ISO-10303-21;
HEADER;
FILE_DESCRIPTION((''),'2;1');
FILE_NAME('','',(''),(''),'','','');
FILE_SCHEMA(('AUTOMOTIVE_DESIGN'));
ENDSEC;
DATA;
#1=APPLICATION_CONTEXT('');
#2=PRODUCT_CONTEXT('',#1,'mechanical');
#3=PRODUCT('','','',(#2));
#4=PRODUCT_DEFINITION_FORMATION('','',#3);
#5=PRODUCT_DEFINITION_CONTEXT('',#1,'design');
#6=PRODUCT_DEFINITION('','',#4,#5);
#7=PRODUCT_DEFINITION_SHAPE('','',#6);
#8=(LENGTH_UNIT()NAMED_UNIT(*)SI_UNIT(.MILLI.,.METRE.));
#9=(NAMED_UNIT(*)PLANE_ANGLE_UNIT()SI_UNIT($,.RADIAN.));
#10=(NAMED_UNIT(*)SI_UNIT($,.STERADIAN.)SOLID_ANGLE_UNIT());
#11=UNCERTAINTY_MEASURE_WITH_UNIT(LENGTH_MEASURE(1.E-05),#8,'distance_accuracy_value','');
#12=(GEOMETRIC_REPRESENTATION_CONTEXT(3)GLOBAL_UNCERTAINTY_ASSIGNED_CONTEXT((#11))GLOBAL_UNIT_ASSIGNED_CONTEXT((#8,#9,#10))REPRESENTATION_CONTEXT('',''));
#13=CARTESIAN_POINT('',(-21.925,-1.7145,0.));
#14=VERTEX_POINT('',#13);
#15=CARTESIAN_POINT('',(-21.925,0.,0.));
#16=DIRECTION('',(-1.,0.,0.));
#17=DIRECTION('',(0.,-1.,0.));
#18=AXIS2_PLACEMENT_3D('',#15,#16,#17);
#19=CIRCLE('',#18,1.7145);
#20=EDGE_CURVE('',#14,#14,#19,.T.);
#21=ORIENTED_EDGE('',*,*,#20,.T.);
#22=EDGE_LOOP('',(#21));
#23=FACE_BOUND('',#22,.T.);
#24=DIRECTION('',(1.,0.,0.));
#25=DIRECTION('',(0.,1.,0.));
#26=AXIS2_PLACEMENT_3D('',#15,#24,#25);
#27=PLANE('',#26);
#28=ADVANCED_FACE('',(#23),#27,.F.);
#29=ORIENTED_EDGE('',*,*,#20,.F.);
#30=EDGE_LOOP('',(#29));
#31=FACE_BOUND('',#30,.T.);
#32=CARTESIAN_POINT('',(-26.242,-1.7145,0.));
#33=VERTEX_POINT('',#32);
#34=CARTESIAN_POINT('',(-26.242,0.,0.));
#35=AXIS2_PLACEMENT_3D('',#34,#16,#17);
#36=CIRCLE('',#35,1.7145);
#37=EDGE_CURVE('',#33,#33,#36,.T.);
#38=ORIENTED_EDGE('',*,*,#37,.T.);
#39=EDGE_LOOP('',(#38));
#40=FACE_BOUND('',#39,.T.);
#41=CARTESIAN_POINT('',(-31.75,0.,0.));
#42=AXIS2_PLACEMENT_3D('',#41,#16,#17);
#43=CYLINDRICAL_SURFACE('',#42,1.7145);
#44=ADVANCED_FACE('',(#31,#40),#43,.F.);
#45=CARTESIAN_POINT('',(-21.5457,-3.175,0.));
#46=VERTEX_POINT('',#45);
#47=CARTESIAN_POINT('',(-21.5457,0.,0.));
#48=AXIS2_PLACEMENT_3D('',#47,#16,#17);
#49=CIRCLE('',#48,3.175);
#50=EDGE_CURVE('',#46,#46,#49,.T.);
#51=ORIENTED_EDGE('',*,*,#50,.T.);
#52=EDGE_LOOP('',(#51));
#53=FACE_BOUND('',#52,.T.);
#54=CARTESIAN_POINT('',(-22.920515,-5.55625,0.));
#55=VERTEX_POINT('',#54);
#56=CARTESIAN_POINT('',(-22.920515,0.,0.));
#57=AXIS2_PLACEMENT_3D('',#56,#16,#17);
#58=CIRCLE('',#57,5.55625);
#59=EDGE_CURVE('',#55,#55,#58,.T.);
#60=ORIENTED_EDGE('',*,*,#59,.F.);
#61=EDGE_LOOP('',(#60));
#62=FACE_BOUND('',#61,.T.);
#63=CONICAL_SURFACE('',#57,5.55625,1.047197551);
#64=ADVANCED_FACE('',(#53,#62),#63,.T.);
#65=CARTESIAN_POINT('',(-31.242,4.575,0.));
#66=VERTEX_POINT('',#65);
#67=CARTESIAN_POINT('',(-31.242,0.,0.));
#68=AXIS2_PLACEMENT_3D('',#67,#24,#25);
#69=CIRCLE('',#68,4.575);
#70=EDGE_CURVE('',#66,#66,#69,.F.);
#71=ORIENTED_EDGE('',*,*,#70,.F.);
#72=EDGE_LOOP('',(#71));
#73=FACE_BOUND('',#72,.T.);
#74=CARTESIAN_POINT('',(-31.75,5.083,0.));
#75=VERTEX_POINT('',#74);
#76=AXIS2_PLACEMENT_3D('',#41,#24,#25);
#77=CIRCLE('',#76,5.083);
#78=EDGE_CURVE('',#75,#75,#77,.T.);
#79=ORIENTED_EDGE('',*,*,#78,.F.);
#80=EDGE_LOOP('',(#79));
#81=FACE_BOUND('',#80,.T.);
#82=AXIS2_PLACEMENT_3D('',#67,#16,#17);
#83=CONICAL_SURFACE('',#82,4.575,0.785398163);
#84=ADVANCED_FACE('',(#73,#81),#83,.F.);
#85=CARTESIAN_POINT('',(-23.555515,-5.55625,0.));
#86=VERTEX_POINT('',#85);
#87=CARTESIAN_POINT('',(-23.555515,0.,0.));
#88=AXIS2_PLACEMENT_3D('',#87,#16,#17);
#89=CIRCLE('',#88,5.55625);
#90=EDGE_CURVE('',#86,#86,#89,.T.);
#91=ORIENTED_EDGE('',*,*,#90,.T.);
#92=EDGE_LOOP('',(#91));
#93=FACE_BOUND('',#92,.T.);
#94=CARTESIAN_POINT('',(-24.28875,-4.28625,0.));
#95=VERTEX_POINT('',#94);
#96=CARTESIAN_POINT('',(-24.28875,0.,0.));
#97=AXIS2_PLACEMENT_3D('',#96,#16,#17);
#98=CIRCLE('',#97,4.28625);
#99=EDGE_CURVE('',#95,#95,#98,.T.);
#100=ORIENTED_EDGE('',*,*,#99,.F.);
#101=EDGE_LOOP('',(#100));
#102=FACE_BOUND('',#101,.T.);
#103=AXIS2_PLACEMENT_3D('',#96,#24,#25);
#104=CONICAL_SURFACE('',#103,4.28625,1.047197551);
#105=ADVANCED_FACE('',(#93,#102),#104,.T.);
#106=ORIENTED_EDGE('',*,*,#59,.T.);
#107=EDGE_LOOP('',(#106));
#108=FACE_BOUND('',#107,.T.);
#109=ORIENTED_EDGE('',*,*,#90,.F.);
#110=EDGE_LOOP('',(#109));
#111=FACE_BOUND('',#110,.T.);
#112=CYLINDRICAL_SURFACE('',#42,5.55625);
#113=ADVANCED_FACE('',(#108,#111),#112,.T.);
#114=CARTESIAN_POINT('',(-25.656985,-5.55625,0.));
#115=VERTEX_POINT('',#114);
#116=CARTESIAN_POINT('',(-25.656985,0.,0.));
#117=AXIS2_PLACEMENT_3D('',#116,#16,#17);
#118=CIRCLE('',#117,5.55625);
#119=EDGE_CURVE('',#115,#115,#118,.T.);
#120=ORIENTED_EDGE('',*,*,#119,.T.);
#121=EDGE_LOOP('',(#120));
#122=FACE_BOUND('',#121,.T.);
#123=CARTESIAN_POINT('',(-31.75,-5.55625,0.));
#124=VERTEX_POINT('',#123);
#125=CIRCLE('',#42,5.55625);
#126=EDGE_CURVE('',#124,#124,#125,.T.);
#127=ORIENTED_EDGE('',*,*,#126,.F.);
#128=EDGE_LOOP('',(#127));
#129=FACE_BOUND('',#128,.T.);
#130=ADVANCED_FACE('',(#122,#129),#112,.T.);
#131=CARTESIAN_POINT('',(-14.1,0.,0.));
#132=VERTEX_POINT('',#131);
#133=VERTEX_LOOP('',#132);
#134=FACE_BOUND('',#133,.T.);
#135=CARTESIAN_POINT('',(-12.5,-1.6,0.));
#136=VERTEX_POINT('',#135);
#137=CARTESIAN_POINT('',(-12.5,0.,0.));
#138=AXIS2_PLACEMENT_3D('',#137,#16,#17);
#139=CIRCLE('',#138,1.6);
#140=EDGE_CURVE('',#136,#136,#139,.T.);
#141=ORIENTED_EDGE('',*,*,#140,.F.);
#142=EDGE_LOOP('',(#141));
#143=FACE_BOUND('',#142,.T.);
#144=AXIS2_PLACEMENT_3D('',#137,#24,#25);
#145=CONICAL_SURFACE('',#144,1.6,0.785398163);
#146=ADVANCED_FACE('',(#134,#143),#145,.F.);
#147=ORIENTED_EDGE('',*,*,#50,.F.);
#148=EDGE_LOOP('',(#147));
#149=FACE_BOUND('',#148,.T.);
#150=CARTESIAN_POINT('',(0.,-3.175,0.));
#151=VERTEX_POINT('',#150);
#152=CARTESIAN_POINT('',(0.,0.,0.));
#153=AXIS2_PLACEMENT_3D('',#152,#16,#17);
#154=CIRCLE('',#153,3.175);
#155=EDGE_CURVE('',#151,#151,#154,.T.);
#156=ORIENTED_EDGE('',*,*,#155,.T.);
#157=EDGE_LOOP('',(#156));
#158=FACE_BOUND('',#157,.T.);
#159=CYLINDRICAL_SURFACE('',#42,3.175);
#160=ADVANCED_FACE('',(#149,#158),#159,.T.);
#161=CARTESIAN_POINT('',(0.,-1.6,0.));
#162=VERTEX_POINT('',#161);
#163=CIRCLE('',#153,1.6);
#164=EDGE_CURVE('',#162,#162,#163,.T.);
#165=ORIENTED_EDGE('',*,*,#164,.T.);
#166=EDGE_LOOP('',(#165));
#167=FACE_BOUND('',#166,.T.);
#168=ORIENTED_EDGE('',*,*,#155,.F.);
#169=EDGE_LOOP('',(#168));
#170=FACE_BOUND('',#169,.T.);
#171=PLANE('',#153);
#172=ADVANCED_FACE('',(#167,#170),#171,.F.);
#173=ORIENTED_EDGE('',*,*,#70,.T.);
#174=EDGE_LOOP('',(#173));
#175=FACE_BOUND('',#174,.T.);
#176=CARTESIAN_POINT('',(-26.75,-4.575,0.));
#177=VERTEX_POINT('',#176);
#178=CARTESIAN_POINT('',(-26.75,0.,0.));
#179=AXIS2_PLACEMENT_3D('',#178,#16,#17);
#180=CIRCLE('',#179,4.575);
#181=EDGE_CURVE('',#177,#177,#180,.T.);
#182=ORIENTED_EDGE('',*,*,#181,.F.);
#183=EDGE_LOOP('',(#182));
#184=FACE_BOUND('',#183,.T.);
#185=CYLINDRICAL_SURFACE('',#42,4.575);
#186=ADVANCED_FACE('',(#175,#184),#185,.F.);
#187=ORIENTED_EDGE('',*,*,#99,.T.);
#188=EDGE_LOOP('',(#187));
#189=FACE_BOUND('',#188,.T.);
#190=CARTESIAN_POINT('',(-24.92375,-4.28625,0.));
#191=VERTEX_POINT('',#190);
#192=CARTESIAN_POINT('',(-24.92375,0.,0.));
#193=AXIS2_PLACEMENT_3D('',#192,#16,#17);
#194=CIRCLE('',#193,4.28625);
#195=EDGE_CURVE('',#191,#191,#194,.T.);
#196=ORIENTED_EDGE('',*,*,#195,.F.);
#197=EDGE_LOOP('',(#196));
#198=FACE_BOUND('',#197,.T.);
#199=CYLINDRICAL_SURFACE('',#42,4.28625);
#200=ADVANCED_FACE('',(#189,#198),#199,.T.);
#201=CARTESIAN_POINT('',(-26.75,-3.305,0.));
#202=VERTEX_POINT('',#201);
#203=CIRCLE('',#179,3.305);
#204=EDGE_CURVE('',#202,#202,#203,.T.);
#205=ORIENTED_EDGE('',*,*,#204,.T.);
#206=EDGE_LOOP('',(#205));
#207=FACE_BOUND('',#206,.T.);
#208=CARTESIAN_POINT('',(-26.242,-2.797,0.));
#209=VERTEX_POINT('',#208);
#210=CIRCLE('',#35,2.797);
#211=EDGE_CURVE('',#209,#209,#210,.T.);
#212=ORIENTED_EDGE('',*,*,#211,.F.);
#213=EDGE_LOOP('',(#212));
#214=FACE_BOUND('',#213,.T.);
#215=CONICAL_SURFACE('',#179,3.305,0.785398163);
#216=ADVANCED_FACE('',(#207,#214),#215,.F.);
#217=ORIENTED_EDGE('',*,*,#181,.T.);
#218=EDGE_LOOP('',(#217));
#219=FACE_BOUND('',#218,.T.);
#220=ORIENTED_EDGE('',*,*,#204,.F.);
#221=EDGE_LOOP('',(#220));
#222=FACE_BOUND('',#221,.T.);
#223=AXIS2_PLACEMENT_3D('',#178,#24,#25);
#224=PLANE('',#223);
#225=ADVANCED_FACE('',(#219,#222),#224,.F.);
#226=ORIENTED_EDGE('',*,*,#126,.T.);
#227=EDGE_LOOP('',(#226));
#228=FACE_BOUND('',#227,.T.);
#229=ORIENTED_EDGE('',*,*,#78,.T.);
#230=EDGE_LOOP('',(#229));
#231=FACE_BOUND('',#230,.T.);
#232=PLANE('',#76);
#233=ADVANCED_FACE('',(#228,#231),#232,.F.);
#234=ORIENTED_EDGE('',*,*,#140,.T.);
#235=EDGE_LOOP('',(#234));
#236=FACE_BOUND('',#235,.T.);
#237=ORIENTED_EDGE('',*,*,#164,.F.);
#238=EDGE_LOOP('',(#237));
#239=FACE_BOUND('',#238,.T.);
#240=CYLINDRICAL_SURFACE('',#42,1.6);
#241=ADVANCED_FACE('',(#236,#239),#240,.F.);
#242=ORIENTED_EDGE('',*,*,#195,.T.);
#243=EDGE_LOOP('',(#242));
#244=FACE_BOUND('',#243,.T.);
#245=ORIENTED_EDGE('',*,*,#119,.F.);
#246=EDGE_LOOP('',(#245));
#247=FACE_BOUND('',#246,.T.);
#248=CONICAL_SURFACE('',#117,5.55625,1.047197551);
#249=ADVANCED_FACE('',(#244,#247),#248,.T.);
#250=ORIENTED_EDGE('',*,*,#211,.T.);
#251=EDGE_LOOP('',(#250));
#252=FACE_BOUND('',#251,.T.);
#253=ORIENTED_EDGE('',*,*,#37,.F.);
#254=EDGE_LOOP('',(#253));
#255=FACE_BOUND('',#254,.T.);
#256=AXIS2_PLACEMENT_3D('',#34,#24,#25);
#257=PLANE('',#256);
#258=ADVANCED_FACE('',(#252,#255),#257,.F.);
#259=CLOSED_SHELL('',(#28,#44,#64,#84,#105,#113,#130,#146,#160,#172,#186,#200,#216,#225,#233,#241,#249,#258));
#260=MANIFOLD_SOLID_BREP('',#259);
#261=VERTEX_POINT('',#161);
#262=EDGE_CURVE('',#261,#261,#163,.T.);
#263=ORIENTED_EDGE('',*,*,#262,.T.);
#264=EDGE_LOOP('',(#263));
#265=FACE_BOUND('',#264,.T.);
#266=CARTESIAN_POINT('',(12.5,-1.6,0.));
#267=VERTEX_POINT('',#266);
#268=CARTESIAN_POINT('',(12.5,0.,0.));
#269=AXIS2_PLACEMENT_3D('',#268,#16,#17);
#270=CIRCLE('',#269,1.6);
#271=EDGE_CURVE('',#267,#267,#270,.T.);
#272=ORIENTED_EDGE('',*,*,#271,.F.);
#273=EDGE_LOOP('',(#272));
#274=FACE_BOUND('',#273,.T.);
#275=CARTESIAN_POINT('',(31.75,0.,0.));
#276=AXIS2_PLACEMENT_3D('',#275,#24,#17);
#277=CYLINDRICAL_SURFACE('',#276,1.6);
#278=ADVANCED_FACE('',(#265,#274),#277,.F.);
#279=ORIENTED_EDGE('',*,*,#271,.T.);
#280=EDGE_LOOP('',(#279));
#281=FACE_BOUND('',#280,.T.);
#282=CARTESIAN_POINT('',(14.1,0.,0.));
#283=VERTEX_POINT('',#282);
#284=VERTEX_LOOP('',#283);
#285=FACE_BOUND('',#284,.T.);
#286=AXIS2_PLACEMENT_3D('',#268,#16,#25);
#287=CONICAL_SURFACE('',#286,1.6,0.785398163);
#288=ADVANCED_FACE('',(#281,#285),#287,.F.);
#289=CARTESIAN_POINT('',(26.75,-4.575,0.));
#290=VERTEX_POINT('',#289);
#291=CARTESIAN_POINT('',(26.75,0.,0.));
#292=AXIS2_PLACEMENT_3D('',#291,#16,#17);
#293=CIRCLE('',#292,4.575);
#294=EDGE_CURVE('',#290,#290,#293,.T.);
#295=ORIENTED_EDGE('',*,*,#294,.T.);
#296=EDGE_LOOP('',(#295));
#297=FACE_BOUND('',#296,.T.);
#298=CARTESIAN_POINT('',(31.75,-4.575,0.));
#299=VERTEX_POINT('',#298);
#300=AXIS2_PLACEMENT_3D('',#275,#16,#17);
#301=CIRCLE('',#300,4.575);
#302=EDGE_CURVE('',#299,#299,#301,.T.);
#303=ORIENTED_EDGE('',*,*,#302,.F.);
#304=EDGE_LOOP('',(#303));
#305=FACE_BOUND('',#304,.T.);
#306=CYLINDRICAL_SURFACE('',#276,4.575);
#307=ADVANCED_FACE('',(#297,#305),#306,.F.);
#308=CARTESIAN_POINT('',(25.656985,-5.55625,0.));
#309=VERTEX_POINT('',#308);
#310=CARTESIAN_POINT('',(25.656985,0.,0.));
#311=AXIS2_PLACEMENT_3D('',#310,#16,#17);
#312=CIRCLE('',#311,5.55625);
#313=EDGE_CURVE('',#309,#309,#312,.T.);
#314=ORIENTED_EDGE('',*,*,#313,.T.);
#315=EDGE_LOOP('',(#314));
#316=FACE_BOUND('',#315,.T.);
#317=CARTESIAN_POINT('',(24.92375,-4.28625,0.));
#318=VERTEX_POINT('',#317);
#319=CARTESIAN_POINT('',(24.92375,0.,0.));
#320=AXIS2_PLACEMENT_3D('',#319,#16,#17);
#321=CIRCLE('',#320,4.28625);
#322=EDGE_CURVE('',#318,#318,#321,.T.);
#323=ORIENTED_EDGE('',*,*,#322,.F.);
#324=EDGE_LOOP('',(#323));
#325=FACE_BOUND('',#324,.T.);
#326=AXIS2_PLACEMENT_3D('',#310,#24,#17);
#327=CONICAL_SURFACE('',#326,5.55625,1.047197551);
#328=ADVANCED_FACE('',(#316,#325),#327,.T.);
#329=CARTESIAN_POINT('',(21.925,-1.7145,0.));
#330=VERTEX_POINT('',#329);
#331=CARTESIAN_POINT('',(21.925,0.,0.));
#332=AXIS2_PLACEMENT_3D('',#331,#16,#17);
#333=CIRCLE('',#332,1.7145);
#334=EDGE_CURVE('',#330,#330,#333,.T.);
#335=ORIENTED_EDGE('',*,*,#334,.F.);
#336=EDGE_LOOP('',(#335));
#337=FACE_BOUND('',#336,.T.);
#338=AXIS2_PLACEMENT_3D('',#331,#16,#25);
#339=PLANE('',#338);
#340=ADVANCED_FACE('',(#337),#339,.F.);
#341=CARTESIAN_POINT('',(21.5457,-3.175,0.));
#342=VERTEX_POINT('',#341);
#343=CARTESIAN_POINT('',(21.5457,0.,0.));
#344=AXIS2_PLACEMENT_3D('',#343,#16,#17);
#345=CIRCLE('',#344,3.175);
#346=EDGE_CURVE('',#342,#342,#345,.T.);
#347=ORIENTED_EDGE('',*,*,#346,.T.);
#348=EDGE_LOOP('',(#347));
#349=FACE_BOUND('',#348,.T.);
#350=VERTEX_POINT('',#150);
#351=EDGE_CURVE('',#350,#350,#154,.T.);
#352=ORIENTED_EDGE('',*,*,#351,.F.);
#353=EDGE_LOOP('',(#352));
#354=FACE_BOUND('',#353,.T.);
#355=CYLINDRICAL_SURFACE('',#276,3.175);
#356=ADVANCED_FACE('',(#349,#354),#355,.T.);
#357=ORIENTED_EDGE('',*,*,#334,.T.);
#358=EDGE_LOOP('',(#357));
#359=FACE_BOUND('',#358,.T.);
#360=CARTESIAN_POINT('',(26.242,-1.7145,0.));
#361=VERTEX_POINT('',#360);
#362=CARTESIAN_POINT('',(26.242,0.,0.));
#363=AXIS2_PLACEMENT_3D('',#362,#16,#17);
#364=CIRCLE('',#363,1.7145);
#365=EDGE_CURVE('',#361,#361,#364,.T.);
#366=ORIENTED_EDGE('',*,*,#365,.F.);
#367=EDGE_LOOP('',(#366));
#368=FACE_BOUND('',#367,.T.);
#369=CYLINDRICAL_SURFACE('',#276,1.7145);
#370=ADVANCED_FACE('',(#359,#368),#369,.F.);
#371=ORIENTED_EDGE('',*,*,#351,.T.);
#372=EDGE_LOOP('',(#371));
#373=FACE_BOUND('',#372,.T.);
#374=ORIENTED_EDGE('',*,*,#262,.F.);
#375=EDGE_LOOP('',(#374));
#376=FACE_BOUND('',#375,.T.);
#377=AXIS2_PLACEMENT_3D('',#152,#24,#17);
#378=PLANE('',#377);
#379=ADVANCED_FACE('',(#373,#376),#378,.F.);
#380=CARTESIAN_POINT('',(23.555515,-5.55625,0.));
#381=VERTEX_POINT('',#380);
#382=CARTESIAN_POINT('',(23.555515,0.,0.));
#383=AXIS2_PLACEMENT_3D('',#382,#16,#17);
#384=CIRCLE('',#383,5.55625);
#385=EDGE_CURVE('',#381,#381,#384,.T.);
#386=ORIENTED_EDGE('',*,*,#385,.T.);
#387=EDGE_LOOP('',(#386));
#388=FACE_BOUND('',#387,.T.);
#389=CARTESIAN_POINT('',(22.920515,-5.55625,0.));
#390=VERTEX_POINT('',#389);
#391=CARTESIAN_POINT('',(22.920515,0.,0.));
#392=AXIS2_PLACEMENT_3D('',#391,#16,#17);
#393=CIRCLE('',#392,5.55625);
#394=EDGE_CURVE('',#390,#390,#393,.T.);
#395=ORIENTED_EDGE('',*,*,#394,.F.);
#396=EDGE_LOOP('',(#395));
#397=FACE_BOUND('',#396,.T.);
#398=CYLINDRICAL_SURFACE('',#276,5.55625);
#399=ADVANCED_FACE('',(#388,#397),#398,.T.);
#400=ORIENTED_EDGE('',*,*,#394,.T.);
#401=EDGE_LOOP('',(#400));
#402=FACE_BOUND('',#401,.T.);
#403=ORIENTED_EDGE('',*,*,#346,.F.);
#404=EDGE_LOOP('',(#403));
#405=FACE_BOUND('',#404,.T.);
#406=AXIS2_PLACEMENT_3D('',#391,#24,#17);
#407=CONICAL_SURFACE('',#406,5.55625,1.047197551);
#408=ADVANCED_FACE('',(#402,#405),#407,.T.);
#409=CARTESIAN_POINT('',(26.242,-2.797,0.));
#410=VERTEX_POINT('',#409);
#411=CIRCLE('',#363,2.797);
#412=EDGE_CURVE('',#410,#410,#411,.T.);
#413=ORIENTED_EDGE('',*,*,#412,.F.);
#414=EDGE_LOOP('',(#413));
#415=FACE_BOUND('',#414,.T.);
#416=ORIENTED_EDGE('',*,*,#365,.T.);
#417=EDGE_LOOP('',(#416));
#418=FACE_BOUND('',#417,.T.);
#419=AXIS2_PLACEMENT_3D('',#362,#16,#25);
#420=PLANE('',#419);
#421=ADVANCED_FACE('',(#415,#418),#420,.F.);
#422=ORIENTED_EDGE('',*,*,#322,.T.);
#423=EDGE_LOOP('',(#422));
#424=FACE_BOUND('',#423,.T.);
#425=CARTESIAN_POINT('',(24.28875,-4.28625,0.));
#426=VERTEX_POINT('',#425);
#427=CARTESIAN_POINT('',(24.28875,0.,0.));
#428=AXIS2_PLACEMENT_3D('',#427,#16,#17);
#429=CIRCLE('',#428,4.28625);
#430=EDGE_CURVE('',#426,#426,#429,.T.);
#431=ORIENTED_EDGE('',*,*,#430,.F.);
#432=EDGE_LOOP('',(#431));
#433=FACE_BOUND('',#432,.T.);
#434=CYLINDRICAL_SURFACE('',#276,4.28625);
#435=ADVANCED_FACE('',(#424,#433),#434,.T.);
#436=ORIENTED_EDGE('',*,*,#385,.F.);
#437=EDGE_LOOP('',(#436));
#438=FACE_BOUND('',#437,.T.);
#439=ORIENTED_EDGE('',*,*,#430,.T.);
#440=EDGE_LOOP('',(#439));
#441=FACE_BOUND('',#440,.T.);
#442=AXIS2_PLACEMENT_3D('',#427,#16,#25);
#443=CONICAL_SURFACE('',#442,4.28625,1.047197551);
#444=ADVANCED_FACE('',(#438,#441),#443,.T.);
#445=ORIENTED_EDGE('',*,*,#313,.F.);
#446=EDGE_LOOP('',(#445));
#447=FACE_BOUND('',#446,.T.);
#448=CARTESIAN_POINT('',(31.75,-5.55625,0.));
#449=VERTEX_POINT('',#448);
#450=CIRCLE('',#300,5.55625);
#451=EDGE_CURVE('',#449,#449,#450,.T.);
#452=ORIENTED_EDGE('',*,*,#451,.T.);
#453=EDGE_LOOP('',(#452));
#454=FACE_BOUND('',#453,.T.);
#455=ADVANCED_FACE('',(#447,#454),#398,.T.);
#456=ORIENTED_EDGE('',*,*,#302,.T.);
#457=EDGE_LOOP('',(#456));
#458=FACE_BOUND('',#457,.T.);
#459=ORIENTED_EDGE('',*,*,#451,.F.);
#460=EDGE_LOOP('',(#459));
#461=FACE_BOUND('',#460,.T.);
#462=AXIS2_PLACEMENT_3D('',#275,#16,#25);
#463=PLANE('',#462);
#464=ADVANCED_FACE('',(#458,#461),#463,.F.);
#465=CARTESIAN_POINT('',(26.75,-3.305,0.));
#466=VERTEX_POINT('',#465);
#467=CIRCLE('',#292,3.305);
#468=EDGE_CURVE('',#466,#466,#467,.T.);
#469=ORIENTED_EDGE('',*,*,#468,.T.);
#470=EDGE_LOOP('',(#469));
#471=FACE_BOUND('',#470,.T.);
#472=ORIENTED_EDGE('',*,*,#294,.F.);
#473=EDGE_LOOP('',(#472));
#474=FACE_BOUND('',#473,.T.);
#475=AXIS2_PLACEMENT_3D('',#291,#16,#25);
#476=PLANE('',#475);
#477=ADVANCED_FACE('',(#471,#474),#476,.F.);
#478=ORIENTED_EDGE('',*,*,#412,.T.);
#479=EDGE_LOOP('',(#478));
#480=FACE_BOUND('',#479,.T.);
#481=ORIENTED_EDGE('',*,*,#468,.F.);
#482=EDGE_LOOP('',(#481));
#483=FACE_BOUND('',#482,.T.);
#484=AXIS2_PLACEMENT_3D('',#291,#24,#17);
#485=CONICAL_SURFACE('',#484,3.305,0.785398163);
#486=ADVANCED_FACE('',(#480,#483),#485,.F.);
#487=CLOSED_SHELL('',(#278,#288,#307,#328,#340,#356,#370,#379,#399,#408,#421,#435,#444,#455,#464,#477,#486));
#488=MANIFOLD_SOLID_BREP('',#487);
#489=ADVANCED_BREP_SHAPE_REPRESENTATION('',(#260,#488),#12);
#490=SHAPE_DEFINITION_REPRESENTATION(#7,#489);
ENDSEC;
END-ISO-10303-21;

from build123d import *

# Parameters (mm, degrees)
CHAMFER1_SIZE = 0.508


with BuildPart() as part:
    # Sketch2 → Revolve1 (revolve)
    with BuildSketch(Plane.XY, mode=Mode.PRIVATE) as revolve1_sk:
        Polygon((-25.656984842, 5.55625), (-31.75, 5.55625), (-31.75, 4.575), (-26.75, 4.575), (-26.75, 3.305), (-26.242, 2.797), (-26.242, 1.7145), (-21.925, 1.7145), (-21.925, 0), (-14.1, 0), (-12.5, 1.6), (0, 1.6), (0, 3.175), (-21.54569983, 3.175), (-22.920515158, 5.55625), (-23.555515158, 5.55625), (-24.28875, 4.28625), (-24.92375, 4.28625), align=None)
    revolve(revolve1_sk.sketch.rotate(Axis((-31.75, 0, 0), (1, 0, 0)), 180), axis=Axis((-31.75, 0, 0), (1, 0, 0)))


with BuildPart() as body_2:
    # Mirror1: mirrored copy
    add(part.part.mirror(Plane(origin=(0, 0, 0), x_dir=(0, 0, 1), z_dir=(1, 0, 0))))


with BuildPart() as part_1:
    add(part.part)

    # Chamfer1
    chamfer1_edges = [part_1.edges().sort_by_distance(p)[0] for p in [
        (-31.75, 4.575, 0),
    ]]
    chamfer(chamfer1_edges, length=CHAMFER1_SIZE)


solid = Compound([body_2.part, part_1.part])
